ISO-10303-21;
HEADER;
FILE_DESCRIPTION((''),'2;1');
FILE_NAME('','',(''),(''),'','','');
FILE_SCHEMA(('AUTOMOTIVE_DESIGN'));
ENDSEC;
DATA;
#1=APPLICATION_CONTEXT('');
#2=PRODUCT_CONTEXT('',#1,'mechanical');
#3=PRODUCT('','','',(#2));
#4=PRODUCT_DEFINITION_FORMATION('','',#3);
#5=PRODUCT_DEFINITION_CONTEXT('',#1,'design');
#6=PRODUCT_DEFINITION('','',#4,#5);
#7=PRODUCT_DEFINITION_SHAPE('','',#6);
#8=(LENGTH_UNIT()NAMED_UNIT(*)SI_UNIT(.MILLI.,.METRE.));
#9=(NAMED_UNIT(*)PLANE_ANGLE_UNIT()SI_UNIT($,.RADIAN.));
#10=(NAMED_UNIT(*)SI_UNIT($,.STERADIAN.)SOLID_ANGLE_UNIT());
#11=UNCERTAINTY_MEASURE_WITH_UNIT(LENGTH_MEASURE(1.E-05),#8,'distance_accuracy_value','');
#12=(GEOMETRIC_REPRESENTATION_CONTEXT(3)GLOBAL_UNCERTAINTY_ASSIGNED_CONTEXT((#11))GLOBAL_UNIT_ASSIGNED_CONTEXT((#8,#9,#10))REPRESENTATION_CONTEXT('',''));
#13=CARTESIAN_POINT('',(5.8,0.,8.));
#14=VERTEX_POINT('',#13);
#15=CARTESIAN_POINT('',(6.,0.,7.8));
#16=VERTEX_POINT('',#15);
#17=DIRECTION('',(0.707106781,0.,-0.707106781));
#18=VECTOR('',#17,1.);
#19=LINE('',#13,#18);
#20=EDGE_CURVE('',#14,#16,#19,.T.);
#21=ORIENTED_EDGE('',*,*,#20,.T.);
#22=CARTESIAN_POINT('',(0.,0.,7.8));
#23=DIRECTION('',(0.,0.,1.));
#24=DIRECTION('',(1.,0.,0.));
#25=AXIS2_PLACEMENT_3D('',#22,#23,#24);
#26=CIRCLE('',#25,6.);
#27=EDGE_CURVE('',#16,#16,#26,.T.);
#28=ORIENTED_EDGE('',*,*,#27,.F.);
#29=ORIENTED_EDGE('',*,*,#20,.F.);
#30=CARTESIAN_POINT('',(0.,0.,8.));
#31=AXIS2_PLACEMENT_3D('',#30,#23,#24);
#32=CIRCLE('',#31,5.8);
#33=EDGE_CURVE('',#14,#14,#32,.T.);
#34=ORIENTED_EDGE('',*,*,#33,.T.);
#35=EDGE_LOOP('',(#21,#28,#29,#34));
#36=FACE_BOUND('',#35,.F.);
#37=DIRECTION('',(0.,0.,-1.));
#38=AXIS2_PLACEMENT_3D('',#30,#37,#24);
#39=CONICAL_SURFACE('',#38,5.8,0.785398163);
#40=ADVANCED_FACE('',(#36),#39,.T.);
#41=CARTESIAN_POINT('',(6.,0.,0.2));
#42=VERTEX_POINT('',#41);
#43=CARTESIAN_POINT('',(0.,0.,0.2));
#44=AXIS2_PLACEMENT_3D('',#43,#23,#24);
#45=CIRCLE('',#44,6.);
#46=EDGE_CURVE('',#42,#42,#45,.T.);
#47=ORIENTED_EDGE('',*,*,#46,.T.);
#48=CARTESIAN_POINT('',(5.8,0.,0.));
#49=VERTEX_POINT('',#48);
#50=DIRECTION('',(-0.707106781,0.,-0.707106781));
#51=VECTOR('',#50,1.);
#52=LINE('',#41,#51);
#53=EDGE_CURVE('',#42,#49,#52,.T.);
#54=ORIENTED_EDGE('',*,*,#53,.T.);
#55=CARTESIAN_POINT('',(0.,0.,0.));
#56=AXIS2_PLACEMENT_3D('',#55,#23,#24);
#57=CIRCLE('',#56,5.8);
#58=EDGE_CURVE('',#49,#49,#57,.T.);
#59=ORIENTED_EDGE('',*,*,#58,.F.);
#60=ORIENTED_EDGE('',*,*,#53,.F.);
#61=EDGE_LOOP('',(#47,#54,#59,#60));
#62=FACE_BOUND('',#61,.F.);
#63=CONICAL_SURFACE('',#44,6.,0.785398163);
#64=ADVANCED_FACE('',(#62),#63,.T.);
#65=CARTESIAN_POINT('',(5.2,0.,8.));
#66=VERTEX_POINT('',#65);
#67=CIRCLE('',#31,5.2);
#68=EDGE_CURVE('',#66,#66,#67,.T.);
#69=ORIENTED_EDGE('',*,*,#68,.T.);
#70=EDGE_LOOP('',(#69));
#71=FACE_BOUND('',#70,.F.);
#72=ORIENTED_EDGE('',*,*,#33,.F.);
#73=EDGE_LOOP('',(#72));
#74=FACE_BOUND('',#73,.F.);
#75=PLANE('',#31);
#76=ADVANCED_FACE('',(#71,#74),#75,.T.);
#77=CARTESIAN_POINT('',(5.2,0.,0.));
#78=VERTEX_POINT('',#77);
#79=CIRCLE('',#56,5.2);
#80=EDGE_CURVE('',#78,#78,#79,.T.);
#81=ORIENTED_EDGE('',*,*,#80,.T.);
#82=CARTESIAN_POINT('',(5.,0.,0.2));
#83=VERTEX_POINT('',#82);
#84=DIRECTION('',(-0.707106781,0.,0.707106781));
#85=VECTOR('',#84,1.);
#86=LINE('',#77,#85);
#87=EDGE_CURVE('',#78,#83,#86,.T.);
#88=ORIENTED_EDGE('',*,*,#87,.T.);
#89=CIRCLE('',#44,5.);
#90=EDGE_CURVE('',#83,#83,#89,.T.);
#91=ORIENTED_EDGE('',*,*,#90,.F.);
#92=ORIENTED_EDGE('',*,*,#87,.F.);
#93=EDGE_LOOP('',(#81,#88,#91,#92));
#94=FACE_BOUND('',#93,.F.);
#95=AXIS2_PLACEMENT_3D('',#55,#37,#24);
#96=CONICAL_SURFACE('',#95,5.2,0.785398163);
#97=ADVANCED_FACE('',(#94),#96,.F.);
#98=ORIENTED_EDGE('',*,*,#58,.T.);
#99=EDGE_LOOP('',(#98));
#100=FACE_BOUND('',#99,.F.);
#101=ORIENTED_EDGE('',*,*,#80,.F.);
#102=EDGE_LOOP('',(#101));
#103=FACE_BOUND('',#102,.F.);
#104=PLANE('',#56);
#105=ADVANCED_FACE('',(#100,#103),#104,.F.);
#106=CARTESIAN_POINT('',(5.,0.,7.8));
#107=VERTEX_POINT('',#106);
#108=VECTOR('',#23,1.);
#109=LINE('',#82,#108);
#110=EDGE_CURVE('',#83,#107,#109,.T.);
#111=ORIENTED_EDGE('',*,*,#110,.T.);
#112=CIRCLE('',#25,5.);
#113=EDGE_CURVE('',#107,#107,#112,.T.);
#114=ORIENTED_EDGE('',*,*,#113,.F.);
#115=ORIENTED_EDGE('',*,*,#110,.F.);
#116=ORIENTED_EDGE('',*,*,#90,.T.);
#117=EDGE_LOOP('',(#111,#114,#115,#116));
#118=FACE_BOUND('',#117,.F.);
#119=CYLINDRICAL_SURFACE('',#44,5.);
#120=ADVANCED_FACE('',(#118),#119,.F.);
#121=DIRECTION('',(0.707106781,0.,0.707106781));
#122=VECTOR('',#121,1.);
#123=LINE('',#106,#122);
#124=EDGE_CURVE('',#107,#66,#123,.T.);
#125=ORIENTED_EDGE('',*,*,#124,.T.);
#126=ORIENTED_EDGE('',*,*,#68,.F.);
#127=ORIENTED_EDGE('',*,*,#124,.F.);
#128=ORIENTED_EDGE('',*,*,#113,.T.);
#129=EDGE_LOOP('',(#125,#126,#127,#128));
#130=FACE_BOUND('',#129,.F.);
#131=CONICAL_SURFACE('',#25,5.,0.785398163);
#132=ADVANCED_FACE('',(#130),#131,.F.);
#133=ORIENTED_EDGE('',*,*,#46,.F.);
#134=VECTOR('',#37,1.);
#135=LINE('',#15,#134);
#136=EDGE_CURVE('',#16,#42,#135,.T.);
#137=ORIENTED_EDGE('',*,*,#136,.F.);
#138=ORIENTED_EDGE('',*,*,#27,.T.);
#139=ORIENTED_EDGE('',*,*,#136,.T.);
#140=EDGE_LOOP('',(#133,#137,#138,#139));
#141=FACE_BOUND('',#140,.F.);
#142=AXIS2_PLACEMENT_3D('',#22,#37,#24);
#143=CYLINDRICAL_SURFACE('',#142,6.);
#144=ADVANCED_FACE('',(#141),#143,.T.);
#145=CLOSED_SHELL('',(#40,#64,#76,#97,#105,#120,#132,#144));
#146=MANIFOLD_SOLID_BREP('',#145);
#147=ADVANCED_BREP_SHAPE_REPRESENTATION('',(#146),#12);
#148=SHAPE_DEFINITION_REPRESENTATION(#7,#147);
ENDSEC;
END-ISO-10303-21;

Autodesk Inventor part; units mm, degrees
ref_plane "YZ Plane" through (0, 0, 0) normal (1, 0, 0) x (0, 1, 0)
ref_plane "XZ Plane" through (0, 0, 0) normal (0, 1, 0) x (-1, 0, 0)
ref_plane "XY Plane" through (0, 0, 0) normal (0, 0, 1) x (1, 0, 0)
sketch "スケッチ1" plane through (0, 0, 0) normal (0, 1, 0) x (-1, 0, 0)
  line L0 (-5.2, 8) -> (-5.8, 8)
  line L1 (-6, 7.8) -> (-6, 0.2)
  line L2 (-5.8, 0) -> (-5.2, 0)
  line L3 (-5, 0.2) -> (-5, 7.8)
  line L4 (-5, 8) -> (-6, 0) construction
  line L5 (-6, 8) -> (-5, 0) construction
  line L6 (0, -1.6) -> (0, 9.6) projected
  line L7 (-5.8, 8) -> (-6, 7.8)
  line L8 (-6, 0.2) -> (-5.8, 0)
  line L9 (-5.2, 0) -> (-5, 0.2)
  line L10 (-5, 7.8) -> (-5.2, 8)
  point P0 (0, 0)
  point P1 (-5.5, 4)
  dimension "d0" = 10
  dimension "d1" = 12
  dimension "d2" = 8
  dimension "d3" = 0.2
  dimension "d4" = 0.2
  dimension "d5" = 0.2
  dimension "d6" = 0.2
  dimension "d7" = 0.2
  dimension "d8" = 0.2
  dimension "d9" = 0.2
  dimension "d10" = 0.2
revolve "回転1" add sketch "スケッチ1" angle 360 about axis through (0, 0, -10) along (0, 0, 1)
equation "\"d4\" = d3"
equation "\"d5\" = d3"
equation "\"d6\" = d5"
equation "\"d7\" = d3"
equation "\"d8\" = d7"
equation "\"d9\" = d3"
equation "\"d10\" = d9"
properties part number "WSSS-12-10-8" material "ステンレス鋼 AISI 304"
